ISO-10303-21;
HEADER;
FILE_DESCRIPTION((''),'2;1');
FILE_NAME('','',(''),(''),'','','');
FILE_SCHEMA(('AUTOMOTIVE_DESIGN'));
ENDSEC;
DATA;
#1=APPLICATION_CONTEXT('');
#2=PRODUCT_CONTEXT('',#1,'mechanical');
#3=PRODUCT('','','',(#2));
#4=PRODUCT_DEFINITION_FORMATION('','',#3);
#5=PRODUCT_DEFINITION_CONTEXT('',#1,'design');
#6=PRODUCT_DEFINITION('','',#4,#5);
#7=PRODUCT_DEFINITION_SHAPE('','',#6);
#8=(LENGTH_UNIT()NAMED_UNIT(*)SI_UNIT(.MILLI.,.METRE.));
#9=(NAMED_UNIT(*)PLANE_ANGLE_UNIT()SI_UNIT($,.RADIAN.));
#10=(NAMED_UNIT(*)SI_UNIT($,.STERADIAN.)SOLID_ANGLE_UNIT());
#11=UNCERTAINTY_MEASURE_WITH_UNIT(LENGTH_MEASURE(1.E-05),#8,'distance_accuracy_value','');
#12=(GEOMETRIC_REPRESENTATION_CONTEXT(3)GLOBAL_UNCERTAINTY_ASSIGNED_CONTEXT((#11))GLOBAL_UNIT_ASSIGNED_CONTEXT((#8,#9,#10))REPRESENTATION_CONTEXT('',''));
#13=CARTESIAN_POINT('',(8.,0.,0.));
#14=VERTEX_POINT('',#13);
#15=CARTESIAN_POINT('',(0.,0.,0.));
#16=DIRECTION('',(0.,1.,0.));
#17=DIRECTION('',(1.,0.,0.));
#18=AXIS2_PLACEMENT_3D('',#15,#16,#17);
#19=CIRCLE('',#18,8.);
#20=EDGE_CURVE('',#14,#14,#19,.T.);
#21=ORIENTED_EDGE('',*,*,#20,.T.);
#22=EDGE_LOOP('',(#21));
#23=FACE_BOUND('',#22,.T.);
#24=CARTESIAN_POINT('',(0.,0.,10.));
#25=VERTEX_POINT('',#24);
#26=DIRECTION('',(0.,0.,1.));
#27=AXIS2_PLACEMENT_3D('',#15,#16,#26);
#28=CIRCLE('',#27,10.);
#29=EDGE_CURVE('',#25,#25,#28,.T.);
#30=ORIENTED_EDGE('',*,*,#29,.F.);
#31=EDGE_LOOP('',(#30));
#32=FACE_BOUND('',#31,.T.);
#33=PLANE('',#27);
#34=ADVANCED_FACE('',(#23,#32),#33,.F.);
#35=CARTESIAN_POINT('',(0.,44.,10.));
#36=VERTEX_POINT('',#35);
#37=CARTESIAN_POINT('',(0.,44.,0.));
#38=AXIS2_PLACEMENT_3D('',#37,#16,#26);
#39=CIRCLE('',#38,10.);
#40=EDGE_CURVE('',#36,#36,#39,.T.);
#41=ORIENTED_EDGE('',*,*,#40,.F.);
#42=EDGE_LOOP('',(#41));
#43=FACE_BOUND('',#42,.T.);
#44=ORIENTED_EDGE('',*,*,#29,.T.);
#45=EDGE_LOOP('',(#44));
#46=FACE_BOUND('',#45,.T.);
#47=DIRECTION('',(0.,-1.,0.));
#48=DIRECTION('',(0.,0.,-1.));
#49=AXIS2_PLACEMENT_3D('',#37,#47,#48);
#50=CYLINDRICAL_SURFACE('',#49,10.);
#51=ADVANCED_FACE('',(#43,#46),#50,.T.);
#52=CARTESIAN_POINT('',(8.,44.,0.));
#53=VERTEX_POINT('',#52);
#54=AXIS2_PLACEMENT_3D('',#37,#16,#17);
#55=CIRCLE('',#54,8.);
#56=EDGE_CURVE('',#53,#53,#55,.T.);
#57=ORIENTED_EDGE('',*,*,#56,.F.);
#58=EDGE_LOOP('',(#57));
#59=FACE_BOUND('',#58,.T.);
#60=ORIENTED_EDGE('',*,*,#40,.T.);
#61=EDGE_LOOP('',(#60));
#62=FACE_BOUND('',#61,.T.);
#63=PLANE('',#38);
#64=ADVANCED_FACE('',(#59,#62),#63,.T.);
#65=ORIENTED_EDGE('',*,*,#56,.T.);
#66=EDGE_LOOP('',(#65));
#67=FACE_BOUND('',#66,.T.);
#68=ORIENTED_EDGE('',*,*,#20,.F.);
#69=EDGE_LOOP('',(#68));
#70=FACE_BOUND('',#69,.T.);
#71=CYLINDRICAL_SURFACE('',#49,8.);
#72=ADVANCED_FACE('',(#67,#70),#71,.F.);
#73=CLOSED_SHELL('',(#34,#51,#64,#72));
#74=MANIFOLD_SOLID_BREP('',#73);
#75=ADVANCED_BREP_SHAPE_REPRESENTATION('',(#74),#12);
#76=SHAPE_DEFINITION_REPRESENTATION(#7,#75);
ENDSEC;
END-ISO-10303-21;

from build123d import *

# Parameters (mm, degrees)
SKETCH_1_R      = 10
SKETCH_1_R_2    = 8
EXTRUDE_1_DEPTH = 44


with BuildPart() as part:
    # 草图1 → 拉伸-薄壁1 (new body)
    with BuildSketch(Plane(origin=(0, 0, 0), x_dir=(1, 0, 0), z_dir=(0, 1, 0))):
        Circle(SKETCH_1_R)
        Circle(SKETCH_1_R_2, mode=Mode.SUBTRACT)
    extrude(amount=EXTRUDE_1_DEPTH)


solid = part.part
